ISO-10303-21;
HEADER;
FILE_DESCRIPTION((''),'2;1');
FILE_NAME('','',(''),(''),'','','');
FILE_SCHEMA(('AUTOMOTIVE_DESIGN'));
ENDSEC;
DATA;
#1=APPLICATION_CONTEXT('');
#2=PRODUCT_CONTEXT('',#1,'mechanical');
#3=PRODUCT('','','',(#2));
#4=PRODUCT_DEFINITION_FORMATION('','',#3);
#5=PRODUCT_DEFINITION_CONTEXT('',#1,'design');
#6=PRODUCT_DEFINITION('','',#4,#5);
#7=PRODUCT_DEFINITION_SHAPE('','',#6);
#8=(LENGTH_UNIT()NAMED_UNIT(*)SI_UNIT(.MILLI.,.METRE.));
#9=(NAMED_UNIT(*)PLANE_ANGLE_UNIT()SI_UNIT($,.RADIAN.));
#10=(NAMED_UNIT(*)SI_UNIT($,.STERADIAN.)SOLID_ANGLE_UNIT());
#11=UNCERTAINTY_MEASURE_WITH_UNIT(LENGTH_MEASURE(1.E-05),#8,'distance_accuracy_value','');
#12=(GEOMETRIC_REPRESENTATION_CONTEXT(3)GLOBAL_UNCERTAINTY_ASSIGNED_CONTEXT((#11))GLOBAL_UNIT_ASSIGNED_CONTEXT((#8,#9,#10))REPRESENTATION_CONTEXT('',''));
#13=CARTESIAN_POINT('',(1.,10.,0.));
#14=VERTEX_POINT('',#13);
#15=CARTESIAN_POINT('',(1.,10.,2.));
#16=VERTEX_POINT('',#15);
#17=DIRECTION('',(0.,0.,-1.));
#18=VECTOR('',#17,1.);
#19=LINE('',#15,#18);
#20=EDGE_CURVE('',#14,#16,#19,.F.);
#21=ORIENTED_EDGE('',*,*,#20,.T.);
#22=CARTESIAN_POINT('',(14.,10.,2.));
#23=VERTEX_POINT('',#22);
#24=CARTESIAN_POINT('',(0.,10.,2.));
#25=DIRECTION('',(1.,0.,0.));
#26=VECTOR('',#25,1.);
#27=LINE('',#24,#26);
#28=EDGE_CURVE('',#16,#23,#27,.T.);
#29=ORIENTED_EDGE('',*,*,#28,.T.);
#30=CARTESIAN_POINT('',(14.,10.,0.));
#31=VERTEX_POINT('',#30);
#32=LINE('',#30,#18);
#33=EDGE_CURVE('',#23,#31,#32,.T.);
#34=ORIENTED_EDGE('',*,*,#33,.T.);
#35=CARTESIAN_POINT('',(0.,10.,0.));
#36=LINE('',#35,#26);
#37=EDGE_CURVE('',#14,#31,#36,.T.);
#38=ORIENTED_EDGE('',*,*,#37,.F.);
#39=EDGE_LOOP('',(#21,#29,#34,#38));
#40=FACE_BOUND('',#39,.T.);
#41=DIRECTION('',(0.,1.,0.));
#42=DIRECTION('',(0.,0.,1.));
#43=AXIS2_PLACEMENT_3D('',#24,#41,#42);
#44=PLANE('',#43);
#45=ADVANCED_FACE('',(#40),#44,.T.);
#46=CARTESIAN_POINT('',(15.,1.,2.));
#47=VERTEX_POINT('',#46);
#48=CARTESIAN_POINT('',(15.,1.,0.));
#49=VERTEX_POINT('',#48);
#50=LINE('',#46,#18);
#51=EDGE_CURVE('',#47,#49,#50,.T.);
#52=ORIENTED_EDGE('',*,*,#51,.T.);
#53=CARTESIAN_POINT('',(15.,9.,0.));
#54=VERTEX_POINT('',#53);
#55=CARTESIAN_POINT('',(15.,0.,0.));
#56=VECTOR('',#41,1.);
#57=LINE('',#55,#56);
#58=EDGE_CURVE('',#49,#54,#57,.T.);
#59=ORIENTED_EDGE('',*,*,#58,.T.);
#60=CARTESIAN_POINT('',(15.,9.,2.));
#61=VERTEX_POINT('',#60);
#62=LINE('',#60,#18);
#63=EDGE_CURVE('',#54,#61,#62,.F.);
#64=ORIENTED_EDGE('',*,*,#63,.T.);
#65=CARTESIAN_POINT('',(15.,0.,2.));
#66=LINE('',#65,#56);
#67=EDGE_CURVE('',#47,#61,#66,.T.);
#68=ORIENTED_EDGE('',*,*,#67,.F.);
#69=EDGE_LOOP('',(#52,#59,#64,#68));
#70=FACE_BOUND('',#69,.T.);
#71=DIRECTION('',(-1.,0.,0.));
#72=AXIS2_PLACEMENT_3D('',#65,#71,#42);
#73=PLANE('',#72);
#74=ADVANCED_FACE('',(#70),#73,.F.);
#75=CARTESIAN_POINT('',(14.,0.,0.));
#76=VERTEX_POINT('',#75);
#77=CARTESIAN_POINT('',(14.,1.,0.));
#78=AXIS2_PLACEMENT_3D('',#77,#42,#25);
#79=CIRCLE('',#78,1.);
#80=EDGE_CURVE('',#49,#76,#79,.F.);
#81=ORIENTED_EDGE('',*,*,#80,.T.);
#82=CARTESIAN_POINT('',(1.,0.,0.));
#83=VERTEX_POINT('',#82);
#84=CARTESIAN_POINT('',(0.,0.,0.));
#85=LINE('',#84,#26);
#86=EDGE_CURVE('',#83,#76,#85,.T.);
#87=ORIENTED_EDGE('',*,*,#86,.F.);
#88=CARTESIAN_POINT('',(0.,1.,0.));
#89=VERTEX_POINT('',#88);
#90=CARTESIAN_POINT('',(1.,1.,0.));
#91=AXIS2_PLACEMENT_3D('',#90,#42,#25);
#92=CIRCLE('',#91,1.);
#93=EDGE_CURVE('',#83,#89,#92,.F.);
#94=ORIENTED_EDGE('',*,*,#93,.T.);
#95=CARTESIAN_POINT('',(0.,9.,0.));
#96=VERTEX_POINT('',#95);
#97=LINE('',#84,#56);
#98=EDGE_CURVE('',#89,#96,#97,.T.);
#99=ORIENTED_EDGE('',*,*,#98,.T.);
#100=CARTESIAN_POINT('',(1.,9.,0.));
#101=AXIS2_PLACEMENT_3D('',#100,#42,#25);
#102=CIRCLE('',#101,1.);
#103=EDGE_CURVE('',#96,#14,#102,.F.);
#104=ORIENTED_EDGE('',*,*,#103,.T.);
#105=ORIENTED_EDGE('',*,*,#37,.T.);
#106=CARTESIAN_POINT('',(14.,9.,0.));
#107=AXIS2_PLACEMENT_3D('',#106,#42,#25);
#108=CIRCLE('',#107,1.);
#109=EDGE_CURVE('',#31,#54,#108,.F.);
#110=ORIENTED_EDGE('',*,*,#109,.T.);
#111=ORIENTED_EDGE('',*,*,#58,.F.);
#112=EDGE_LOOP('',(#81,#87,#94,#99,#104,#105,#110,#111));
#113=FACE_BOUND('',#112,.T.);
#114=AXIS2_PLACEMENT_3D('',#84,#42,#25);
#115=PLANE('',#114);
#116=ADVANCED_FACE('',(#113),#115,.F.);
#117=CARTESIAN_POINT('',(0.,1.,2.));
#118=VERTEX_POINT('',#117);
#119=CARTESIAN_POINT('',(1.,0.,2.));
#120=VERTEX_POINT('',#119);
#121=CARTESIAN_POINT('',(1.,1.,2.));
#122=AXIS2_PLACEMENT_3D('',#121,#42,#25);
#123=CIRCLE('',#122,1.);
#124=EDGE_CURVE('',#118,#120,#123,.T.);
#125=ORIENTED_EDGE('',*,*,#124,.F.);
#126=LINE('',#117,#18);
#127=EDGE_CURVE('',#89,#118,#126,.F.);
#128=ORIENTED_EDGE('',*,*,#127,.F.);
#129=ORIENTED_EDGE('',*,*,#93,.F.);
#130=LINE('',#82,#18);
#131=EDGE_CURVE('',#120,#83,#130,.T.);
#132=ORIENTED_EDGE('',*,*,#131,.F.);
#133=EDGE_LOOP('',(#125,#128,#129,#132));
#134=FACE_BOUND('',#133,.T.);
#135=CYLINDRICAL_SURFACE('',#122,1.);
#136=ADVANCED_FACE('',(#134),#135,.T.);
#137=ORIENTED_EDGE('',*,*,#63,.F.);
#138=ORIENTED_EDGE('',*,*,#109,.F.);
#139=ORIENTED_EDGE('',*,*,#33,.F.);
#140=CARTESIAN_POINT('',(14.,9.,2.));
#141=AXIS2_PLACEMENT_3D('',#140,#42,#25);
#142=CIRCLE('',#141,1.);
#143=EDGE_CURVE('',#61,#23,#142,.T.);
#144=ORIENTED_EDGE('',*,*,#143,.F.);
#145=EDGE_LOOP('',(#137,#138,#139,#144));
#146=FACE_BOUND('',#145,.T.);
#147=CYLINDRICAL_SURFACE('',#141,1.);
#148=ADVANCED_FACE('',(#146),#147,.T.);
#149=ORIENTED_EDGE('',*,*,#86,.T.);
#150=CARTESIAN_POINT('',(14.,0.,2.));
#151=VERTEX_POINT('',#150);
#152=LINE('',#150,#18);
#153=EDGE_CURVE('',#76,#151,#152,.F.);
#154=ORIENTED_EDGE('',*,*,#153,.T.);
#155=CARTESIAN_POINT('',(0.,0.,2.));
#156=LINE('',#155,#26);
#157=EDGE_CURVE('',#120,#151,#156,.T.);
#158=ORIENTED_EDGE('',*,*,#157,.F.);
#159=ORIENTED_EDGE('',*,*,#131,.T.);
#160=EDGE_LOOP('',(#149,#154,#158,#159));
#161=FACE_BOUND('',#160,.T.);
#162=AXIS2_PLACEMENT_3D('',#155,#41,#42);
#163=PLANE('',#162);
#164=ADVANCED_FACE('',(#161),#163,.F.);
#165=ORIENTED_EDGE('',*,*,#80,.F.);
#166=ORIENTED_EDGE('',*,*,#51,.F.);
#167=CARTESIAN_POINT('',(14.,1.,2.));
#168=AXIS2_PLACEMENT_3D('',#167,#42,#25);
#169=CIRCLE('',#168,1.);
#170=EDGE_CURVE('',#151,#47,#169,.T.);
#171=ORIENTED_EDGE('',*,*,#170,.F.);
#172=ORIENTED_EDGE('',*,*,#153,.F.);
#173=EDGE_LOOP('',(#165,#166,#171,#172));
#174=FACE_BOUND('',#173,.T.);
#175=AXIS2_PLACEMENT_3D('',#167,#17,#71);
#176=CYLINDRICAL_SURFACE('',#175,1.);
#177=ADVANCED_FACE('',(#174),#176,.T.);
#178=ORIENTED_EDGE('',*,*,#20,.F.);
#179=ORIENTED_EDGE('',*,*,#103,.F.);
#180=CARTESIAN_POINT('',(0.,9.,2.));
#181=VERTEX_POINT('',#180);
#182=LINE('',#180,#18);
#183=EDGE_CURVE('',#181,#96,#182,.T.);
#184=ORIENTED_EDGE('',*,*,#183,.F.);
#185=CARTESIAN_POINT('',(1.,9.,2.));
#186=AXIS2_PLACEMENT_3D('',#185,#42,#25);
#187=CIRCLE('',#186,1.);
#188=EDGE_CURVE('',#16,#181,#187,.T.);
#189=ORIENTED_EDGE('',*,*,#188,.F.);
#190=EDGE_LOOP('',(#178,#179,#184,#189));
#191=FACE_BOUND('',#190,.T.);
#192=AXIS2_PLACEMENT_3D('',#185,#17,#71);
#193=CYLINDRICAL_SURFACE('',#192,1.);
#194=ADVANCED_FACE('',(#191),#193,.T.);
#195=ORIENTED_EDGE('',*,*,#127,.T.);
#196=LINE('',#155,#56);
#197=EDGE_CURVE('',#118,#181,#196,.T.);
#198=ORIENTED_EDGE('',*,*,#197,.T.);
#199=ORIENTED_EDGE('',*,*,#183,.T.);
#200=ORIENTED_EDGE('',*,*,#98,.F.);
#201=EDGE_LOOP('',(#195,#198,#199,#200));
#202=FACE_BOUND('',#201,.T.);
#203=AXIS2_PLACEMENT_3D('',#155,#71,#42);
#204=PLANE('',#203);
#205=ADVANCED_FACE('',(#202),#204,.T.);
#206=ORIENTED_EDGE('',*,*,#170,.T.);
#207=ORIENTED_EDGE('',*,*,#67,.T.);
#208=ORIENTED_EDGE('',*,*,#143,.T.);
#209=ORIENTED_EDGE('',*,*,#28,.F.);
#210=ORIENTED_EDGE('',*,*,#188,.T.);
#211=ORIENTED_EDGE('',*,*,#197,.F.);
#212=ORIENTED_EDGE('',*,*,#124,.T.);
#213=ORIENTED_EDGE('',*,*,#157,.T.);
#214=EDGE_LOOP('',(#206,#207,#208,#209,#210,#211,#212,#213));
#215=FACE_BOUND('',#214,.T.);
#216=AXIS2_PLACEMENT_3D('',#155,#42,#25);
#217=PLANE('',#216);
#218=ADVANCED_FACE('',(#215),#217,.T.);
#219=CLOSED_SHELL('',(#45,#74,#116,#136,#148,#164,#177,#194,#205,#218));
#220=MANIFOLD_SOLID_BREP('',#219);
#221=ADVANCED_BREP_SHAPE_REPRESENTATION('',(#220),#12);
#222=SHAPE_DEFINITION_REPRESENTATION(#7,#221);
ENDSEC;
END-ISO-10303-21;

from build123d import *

# Parameters (mm, degrees)
BOSS_EXTRUDE2_DEPTH = 2
FILLET1_R           = 1


with BuildPart() as part:
    # Sketch1 → Boss-Extrude2 (new body)
    with BuildSketch(Plane.XY):
        Polygon((0, 10), (0, 0), (15, 0), (15, 3.9872583), (15, 6.25), (15, 10), align=None)
    extrude(amount=BOSS_EXTRUDE2_DEPTH)

    # Fillet1
    fillet1_edges = [part.edges().sort_by_distance(p)[0] for p in [
        (0, 0, 1),
        (0, 10, 1),
        (15, 10, 1),
        (15, 0, 1),
    ]]
    fillet(fillet1_edges, radius=FILLET1_R)


solid = part.part
